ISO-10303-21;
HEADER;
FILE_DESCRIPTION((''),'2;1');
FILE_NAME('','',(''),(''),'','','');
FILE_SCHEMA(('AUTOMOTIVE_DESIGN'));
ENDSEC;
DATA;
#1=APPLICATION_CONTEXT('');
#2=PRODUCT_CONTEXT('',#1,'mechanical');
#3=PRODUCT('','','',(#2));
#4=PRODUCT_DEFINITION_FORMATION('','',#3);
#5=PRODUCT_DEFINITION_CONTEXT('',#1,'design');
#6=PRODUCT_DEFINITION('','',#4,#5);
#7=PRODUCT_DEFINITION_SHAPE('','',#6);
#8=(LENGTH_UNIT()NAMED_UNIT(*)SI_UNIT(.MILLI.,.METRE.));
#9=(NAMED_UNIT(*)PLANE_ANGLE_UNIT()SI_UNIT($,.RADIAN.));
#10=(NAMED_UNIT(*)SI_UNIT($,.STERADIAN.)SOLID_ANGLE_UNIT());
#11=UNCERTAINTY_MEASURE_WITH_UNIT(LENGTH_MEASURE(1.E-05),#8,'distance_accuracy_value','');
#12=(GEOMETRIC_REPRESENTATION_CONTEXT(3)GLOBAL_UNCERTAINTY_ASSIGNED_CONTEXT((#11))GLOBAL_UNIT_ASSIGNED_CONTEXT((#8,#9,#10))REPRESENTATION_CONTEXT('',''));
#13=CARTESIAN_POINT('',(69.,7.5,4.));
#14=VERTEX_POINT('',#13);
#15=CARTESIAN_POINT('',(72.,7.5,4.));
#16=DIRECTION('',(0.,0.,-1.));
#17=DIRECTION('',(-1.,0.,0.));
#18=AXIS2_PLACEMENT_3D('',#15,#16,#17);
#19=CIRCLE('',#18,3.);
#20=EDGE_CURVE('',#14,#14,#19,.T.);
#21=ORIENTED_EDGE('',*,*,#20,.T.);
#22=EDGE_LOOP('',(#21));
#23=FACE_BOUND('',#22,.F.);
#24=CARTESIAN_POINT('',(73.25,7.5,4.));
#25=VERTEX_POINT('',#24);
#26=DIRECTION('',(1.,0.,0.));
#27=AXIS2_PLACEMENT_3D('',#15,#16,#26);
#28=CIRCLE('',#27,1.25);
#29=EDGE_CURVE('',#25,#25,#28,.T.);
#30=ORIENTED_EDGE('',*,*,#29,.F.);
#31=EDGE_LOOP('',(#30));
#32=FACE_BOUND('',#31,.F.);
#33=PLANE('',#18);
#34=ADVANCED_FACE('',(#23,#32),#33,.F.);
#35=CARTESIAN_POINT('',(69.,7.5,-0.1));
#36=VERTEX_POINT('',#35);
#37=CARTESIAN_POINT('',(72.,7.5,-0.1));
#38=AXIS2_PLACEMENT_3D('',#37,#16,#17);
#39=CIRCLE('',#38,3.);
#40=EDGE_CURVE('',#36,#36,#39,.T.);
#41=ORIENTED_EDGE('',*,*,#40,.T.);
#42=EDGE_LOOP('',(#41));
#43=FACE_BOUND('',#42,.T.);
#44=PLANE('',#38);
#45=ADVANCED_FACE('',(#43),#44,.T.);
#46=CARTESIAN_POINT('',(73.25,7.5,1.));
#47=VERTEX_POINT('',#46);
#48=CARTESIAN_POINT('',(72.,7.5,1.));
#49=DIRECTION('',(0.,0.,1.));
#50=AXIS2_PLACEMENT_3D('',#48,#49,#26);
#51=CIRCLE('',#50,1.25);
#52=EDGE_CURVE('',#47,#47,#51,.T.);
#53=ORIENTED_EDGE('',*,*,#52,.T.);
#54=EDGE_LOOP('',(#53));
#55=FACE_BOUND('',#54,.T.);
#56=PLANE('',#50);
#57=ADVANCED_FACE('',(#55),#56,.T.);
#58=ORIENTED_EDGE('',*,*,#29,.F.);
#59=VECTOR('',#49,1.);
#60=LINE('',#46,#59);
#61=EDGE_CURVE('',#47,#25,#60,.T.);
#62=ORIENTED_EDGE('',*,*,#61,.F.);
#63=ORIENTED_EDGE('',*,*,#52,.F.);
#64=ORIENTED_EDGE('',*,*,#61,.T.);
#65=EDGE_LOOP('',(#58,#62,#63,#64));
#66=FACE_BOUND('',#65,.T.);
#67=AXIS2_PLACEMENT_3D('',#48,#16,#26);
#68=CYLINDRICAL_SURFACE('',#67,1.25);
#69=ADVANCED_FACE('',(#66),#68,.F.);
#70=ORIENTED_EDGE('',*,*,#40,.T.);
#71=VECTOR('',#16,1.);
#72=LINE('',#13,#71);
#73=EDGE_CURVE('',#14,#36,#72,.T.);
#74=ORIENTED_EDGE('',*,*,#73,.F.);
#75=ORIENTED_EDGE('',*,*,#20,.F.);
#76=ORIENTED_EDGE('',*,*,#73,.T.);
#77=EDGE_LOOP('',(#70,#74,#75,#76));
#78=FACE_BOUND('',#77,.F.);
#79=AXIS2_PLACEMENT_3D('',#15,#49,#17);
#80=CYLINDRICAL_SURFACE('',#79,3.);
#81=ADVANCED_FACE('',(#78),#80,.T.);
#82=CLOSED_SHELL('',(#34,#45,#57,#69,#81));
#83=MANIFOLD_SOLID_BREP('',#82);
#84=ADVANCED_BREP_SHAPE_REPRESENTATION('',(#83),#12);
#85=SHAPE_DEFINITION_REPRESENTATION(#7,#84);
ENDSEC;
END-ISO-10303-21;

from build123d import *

# Parameters (mm, degrees)
CYLINDER082_R          = 1.25
CYLINDER082_DEPTH      = 5
CYLINDER083_R          = 3
CYLINDER083_DEPTH      = 4.1
CUT042_PLACEMENT_ANGLE = 90


with BuildPart() as b_w019:
    # Cylinder082 → Cylinder082 (new body)
    with BuildSketch(Plane(origin=(2, 6, 26), x_dir=(0, 0, 1), z_dir=(-1, 0, 0))):
        Circle(CYLINDER082_R)
    extrude(amount=CYLINDER082_DEPTH)


with BuildPart() as h_so:
    # Cylinder083 → Cylinder083 (new body)
    with BuildSketch(Plane(origin=(-1, 6, 26), x_dir=(0, 0, -1), z_dir=(1, 0, 0))):
        Circle(CYLINDER083_R)
    extrude(amount=CYLINDER083_DEPTH)

    # Cut042: cut B_W019
    add(b_w019.part, mode=Mode.SUBTRACT)


with BuildPart() as h_so_1:
    # Cut042 placement: moved
    add(h_so.part.moved(Location((46, 1.5, 3))).rotate(Axis((46, 1.5, 3), (0, 1, 0)), CUT042_PLACEMENT_ANGLE))


solid = h_so_1.part
